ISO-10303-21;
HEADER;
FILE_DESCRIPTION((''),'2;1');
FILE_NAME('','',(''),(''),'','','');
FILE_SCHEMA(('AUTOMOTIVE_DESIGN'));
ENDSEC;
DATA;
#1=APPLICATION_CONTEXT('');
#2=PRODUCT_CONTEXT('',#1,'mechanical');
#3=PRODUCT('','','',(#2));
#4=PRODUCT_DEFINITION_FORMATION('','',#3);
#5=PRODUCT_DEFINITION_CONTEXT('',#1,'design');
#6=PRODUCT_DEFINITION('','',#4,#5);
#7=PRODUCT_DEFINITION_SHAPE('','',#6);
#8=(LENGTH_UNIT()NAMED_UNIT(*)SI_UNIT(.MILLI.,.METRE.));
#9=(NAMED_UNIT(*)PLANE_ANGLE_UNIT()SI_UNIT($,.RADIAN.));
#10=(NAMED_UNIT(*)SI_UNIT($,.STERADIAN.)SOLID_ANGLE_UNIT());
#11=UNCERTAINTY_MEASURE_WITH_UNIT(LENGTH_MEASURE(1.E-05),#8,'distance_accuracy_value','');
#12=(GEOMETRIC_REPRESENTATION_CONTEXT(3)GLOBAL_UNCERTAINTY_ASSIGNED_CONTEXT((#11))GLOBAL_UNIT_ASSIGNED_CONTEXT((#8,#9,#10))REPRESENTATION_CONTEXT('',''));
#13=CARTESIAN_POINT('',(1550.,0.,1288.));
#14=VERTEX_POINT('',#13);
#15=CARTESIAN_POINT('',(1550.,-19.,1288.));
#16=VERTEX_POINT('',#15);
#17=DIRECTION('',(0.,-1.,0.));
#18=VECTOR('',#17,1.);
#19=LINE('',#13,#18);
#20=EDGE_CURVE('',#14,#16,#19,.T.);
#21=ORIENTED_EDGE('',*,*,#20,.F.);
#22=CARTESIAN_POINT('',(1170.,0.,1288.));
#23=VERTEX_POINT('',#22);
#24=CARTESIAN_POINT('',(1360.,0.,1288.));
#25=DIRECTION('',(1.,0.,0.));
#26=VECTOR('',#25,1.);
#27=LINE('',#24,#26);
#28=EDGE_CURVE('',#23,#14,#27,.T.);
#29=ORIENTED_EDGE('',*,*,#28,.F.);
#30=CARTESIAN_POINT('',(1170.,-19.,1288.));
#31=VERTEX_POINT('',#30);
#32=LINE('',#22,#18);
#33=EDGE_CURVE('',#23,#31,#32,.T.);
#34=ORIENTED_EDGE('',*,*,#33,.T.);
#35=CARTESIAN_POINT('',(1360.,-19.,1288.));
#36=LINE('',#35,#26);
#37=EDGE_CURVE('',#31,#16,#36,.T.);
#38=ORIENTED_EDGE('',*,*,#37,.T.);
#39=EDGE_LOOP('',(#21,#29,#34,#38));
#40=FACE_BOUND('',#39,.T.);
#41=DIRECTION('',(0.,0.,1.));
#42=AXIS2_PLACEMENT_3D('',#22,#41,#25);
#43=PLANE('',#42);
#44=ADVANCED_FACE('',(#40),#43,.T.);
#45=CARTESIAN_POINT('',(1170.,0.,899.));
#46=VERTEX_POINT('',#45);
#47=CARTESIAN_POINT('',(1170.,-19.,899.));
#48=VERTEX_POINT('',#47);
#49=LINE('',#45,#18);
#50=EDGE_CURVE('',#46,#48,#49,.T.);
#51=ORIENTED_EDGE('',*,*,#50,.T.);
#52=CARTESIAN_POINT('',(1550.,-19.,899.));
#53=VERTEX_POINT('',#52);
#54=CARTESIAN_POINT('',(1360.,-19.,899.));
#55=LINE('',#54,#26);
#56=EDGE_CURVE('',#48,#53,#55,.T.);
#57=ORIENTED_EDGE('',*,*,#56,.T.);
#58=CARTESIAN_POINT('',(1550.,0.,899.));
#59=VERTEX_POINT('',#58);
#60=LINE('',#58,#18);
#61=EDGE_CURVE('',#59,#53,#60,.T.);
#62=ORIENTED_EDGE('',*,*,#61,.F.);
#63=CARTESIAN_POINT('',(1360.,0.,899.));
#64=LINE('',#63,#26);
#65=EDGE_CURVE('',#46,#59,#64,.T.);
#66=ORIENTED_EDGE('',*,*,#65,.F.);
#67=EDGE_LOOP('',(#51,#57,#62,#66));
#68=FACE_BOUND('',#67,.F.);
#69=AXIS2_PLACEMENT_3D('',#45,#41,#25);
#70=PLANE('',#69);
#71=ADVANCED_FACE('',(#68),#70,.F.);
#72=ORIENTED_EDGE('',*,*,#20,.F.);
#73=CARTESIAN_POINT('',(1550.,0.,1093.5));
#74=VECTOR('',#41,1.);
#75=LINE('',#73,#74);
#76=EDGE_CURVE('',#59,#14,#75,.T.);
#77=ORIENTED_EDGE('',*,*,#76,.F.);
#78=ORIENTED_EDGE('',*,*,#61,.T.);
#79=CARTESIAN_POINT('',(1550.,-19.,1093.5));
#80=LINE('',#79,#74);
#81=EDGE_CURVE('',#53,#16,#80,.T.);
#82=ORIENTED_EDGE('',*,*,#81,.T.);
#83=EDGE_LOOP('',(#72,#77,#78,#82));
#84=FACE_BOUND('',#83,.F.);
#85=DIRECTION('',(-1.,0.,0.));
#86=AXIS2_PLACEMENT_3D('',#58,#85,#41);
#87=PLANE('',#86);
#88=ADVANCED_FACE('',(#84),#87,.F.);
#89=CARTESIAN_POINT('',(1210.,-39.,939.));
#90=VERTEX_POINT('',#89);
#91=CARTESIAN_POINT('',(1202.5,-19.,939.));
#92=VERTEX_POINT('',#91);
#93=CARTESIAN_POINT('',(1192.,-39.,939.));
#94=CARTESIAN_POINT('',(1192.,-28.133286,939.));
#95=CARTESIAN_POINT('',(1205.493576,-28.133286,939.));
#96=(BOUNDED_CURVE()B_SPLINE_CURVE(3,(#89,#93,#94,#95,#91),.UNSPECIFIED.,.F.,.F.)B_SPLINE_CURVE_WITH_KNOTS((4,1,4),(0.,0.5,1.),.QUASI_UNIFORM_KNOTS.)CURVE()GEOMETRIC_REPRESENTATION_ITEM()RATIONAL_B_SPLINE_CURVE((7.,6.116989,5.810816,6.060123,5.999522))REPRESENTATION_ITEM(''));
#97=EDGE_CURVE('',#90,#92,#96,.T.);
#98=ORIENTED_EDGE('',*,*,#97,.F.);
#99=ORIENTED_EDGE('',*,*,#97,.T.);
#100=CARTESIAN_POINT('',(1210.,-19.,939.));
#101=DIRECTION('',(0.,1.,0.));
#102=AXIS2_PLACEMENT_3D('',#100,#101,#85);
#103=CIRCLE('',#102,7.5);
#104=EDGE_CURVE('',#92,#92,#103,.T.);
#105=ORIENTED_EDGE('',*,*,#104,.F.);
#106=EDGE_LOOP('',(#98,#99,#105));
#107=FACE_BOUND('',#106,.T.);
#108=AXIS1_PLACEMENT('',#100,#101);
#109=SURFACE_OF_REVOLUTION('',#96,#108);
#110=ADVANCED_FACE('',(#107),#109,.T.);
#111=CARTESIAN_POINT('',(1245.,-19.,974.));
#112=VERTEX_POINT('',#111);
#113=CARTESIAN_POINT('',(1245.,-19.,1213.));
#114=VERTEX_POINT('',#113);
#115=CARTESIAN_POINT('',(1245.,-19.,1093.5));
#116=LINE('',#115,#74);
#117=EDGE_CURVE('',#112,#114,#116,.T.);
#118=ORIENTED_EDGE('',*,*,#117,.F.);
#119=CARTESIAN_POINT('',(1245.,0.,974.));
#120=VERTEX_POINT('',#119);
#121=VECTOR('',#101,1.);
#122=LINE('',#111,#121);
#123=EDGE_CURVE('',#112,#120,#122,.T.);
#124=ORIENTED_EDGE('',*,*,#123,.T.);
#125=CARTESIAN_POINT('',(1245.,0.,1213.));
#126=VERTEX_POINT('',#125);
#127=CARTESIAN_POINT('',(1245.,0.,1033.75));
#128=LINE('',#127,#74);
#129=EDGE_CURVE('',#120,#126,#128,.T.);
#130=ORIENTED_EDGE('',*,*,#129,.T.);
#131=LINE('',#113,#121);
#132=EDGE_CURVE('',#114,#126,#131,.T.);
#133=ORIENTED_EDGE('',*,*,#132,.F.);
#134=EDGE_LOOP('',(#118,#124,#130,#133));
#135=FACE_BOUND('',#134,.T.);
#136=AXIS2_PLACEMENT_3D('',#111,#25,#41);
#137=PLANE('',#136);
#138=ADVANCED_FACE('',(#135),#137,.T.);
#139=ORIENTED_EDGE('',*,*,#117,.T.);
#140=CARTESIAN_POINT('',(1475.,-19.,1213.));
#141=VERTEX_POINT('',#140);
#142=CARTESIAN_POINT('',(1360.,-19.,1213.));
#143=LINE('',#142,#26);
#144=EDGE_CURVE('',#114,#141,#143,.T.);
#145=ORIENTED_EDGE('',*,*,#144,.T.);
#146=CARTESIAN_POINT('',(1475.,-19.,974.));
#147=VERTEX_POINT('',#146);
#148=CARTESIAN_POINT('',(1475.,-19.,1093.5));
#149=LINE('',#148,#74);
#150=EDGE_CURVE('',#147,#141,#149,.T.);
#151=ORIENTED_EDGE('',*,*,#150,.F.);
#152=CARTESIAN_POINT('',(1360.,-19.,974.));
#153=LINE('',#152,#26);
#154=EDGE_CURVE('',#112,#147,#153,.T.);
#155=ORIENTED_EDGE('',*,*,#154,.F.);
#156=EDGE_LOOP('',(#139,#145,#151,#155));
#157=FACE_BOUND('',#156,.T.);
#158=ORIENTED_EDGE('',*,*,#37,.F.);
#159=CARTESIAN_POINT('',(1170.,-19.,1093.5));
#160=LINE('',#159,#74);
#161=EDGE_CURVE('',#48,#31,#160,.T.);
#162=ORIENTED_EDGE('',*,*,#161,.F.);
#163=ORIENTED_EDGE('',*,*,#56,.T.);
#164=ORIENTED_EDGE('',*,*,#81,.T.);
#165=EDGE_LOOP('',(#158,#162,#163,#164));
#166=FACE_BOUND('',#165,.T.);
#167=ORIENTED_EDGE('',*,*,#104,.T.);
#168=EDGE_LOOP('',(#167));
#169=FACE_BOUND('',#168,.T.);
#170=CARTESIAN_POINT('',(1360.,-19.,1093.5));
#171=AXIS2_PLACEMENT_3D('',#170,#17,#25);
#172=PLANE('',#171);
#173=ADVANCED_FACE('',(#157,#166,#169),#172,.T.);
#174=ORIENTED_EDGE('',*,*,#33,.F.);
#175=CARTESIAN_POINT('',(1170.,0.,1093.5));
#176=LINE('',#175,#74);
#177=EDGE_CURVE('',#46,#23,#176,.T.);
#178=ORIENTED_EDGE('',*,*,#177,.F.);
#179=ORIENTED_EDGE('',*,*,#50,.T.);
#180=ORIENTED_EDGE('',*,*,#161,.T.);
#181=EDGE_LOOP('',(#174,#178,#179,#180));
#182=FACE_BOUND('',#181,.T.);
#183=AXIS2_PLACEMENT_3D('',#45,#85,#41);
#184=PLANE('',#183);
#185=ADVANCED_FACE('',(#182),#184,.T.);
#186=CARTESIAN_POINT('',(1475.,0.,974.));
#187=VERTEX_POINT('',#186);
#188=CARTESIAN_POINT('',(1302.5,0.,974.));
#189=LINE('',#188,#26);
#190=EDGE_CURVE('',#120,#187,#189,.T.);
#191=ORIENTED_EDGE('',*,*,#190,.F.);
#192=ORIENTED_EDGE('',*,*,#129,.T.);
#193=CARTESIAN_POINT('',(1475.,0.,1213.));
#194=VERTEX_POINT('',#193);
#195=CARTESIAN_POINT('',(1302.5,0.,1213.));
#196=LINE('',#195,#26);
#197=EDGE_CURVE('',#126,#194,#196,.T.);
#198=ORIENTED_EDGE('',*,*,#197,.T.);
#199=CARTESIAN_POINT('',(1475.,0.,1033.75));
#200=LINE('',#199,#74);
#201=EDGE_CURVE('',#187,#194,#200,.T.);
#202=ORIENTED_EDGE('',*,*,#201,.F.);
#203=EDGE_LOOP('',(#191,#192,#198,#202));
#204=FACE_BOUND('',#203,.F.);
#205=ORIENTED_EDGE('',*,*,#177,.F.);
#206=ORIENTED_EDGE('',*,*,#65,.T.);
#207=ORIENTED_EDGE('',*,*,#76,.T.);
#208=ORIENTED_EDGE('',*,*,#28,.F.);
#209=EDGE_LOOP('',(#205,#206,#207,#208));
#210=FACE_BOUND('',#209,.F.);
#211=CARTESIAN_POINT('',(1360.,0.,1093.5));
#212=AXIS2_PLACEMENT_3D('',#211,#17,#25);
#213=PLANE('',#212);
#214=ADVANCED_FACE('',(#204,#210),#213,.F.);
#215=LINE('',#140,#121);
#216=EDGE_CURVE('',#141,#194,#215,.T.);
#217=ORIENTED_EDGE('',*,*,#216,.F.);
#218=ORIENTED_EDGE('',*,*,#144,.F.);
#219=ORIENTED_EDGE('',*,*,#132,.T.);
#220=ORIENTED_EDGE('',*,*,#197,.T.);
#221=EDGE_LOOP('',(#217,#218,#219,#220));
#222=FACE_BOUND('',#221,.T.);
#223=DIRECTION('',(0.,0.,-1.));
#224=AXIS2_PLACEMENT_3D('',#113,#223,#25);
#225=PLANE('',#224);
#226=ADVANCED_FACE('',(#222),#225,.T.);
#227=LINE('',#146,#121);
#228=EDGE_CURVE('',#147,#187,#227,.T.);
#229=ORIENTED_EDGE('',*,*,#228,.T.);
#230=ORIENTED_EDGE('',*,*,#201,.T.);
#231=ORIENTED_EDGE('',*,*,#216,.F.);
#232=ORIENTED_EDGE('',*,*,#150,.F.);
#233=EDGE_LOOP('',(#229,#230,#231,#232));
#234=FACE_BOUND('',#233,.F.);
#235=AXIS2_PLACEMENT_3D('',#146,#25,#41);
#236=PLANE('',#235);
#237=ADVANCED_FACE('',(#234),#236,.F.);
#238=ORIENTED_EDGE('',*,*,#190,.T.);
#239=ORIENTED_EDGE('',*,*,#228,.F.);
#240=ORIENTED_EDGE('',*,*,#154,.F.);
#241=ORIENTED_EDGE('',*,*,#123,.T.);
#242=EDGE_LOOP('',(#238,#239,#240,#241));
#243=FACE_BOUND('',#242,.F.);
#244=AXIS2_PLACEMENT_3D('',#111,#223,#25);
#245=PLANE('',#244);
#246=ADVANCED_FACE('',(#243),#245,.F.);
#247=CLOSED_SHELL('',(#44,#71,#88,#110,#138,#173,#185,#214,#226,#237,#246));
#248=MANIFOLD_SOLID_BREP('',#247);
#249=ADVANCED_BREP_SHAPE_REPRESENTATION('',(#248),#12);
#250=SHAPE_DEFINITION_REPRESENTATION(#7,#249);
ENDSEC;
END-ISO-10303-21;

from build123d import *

# Parameters (mm, degrees)
CLONE2D011_W = 380
CLONE2D011_H = 389
PAD_DEPTH    = 19
SKETCH_W     = 230
SKETCH_H     = 239
POCKET_DEPTH = 19.001


with BuildPart() as part:
    # Clone2D011 → Pad (new body)
    with BuildSketch(Plane.XZ):
        with Locations((190, 194.5)):
            Rectangle(CLONE2D011_W, CLONE2D011_H)
    extrude(amount=PAD_DEPTH)

    # Clone2D010 → Revolution006 (revolve)
    with BuildSketch(Plane(origin=(40, -19, 40), x_dir=(1, 0, 0), z_dir=(0, 0, 1))):
        with BuildLine():
            Line((0, 0), (0, -20))
            add(Edge.make_bspline(
                [(0, -20), (-18, -20), (-18, -9.133286), (-4.506424, -9.133286), (-7.5, 0)],
                knots=[0, 0, 0, 0, 0.5, 1, 1, 1, 1], degree=3, weights=[7, 6.116989, 5.810816, 6.060123, 5.999522]))
            Line((-7.5, 0), (0, 0))
        make_face()
    revolve(axis=Axis((40, -19, 40), (0, 1, 0)))

    # Sketch (on Face5 of Revolution006) → Pocket (cut, through all)
    with BuildSketch(Plane.XZ.offset(19)):
        with Locations((190, 194.5)):
            Rectangle(SKETCH_W, SKETCH_H)
    extrude(amount=-POCKET_DEPTH, mode=Mode.SUBTRACT)


with BuildPart() as part_1:
    # Body placement: moved
    add(part.part.moved(Location((395.5, 0, 899))))


with BuildPart() as part_2:
    # Clone002 placement: moved
    add(part_1.part.moved(Location((-395.5, 0, -899))))


with BuildPart() as part_3:
    # Body016 placement: moved
    add(part_2.part.moved(Location((1170, 0, 899))))


solid = part_3.part
